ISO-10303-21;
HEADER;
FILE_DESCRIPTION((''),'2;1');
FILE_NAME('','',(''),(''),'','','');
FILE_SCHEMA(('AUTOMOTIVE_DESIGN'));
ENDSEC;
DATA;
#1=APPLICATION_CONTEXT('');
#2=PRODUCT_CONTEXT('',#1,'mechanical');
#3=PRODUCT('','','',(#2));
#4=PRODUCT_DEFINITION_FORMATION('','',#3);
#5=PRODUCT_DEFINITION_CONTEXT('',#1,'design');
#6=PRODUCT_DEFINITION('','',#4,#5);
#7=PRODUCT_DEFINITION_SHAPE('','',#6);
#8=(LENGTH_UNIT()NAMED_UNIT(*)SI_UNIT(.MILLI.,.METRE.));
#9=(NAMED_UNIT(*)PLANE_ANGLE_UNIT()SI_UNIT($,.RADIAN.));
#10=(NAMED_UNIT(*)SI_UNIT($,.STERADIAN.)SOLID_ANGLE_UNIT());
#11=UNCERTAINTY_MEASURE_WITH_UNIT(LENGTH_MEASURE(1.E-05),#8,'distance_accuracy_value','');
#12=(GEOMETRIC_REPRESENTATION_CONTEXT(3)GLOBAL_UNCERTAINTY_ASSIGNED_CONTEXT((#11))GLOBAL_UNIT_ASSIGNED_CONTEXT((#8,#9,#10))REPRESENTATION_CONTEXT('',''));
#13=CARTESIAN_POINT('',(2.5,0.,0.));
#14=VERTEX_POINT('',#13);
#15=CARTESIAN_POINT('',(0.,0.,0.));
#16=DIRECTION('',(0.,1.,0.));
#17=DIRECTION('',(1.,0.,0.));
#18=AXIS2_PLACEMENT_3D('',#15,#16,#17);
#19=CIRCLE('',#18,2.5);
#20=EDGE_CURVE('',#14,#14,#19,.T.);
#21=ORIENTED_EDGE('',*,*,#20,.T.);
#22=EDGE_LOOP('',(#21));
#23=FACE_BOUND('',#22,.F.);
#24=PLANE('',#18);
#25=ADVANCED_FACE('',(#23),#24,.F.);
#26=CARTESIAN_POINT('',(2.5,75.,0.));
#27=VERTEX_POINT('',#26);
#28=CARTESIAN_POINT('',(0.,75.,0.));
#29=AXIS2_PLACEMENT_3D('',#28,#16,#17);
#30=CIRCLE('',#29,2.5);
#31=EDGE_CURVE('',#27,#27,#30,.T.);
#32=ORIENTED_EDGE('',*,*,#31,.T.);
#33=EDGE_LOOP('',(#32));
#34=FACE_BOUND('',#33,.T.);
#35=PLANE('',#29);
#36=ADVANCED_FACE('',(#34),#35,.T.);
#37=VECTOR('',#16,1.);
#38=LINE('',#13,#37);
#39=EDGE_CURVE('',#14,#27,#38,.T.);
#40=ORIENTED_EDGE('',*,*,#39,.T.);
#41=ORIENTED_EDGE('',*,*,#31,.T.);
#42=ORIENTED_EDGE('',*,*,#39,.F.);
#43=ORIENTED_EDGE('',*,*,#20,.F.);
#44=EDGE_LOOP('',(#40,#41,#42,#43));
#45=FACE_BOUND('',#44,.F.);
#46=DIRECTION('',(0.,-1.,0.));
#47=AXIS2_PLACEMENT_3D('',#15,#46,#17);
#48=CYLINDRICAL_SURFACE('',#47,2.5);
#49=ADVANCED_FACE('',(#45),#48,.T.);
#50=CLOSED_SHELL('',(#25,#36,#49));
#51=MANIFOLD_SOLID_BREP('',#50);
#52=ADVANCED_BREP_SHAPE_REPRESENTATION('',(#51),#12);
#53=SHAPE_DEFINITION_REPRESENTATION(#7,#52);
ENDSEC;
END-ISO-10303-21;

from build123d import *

# Parameters (mm, degrees)
CROQUIS1_R              = 2.5
SALIENTE_EXTRUIR1_DEPTH = 75


with BuildPart() as part:
    # Croquis1 → Saliente-Extruir1 (new body)
    with BuildSketch(Plane(origin=(0, 0, 0), x_dir=(1, 0, 0), z_dir=(0, 1, 0))):
        Circle(CROQUIS1_R)
    extrude(amount=SALIENTE_EXTRUIR1_DEPTH)


solid = part.part
